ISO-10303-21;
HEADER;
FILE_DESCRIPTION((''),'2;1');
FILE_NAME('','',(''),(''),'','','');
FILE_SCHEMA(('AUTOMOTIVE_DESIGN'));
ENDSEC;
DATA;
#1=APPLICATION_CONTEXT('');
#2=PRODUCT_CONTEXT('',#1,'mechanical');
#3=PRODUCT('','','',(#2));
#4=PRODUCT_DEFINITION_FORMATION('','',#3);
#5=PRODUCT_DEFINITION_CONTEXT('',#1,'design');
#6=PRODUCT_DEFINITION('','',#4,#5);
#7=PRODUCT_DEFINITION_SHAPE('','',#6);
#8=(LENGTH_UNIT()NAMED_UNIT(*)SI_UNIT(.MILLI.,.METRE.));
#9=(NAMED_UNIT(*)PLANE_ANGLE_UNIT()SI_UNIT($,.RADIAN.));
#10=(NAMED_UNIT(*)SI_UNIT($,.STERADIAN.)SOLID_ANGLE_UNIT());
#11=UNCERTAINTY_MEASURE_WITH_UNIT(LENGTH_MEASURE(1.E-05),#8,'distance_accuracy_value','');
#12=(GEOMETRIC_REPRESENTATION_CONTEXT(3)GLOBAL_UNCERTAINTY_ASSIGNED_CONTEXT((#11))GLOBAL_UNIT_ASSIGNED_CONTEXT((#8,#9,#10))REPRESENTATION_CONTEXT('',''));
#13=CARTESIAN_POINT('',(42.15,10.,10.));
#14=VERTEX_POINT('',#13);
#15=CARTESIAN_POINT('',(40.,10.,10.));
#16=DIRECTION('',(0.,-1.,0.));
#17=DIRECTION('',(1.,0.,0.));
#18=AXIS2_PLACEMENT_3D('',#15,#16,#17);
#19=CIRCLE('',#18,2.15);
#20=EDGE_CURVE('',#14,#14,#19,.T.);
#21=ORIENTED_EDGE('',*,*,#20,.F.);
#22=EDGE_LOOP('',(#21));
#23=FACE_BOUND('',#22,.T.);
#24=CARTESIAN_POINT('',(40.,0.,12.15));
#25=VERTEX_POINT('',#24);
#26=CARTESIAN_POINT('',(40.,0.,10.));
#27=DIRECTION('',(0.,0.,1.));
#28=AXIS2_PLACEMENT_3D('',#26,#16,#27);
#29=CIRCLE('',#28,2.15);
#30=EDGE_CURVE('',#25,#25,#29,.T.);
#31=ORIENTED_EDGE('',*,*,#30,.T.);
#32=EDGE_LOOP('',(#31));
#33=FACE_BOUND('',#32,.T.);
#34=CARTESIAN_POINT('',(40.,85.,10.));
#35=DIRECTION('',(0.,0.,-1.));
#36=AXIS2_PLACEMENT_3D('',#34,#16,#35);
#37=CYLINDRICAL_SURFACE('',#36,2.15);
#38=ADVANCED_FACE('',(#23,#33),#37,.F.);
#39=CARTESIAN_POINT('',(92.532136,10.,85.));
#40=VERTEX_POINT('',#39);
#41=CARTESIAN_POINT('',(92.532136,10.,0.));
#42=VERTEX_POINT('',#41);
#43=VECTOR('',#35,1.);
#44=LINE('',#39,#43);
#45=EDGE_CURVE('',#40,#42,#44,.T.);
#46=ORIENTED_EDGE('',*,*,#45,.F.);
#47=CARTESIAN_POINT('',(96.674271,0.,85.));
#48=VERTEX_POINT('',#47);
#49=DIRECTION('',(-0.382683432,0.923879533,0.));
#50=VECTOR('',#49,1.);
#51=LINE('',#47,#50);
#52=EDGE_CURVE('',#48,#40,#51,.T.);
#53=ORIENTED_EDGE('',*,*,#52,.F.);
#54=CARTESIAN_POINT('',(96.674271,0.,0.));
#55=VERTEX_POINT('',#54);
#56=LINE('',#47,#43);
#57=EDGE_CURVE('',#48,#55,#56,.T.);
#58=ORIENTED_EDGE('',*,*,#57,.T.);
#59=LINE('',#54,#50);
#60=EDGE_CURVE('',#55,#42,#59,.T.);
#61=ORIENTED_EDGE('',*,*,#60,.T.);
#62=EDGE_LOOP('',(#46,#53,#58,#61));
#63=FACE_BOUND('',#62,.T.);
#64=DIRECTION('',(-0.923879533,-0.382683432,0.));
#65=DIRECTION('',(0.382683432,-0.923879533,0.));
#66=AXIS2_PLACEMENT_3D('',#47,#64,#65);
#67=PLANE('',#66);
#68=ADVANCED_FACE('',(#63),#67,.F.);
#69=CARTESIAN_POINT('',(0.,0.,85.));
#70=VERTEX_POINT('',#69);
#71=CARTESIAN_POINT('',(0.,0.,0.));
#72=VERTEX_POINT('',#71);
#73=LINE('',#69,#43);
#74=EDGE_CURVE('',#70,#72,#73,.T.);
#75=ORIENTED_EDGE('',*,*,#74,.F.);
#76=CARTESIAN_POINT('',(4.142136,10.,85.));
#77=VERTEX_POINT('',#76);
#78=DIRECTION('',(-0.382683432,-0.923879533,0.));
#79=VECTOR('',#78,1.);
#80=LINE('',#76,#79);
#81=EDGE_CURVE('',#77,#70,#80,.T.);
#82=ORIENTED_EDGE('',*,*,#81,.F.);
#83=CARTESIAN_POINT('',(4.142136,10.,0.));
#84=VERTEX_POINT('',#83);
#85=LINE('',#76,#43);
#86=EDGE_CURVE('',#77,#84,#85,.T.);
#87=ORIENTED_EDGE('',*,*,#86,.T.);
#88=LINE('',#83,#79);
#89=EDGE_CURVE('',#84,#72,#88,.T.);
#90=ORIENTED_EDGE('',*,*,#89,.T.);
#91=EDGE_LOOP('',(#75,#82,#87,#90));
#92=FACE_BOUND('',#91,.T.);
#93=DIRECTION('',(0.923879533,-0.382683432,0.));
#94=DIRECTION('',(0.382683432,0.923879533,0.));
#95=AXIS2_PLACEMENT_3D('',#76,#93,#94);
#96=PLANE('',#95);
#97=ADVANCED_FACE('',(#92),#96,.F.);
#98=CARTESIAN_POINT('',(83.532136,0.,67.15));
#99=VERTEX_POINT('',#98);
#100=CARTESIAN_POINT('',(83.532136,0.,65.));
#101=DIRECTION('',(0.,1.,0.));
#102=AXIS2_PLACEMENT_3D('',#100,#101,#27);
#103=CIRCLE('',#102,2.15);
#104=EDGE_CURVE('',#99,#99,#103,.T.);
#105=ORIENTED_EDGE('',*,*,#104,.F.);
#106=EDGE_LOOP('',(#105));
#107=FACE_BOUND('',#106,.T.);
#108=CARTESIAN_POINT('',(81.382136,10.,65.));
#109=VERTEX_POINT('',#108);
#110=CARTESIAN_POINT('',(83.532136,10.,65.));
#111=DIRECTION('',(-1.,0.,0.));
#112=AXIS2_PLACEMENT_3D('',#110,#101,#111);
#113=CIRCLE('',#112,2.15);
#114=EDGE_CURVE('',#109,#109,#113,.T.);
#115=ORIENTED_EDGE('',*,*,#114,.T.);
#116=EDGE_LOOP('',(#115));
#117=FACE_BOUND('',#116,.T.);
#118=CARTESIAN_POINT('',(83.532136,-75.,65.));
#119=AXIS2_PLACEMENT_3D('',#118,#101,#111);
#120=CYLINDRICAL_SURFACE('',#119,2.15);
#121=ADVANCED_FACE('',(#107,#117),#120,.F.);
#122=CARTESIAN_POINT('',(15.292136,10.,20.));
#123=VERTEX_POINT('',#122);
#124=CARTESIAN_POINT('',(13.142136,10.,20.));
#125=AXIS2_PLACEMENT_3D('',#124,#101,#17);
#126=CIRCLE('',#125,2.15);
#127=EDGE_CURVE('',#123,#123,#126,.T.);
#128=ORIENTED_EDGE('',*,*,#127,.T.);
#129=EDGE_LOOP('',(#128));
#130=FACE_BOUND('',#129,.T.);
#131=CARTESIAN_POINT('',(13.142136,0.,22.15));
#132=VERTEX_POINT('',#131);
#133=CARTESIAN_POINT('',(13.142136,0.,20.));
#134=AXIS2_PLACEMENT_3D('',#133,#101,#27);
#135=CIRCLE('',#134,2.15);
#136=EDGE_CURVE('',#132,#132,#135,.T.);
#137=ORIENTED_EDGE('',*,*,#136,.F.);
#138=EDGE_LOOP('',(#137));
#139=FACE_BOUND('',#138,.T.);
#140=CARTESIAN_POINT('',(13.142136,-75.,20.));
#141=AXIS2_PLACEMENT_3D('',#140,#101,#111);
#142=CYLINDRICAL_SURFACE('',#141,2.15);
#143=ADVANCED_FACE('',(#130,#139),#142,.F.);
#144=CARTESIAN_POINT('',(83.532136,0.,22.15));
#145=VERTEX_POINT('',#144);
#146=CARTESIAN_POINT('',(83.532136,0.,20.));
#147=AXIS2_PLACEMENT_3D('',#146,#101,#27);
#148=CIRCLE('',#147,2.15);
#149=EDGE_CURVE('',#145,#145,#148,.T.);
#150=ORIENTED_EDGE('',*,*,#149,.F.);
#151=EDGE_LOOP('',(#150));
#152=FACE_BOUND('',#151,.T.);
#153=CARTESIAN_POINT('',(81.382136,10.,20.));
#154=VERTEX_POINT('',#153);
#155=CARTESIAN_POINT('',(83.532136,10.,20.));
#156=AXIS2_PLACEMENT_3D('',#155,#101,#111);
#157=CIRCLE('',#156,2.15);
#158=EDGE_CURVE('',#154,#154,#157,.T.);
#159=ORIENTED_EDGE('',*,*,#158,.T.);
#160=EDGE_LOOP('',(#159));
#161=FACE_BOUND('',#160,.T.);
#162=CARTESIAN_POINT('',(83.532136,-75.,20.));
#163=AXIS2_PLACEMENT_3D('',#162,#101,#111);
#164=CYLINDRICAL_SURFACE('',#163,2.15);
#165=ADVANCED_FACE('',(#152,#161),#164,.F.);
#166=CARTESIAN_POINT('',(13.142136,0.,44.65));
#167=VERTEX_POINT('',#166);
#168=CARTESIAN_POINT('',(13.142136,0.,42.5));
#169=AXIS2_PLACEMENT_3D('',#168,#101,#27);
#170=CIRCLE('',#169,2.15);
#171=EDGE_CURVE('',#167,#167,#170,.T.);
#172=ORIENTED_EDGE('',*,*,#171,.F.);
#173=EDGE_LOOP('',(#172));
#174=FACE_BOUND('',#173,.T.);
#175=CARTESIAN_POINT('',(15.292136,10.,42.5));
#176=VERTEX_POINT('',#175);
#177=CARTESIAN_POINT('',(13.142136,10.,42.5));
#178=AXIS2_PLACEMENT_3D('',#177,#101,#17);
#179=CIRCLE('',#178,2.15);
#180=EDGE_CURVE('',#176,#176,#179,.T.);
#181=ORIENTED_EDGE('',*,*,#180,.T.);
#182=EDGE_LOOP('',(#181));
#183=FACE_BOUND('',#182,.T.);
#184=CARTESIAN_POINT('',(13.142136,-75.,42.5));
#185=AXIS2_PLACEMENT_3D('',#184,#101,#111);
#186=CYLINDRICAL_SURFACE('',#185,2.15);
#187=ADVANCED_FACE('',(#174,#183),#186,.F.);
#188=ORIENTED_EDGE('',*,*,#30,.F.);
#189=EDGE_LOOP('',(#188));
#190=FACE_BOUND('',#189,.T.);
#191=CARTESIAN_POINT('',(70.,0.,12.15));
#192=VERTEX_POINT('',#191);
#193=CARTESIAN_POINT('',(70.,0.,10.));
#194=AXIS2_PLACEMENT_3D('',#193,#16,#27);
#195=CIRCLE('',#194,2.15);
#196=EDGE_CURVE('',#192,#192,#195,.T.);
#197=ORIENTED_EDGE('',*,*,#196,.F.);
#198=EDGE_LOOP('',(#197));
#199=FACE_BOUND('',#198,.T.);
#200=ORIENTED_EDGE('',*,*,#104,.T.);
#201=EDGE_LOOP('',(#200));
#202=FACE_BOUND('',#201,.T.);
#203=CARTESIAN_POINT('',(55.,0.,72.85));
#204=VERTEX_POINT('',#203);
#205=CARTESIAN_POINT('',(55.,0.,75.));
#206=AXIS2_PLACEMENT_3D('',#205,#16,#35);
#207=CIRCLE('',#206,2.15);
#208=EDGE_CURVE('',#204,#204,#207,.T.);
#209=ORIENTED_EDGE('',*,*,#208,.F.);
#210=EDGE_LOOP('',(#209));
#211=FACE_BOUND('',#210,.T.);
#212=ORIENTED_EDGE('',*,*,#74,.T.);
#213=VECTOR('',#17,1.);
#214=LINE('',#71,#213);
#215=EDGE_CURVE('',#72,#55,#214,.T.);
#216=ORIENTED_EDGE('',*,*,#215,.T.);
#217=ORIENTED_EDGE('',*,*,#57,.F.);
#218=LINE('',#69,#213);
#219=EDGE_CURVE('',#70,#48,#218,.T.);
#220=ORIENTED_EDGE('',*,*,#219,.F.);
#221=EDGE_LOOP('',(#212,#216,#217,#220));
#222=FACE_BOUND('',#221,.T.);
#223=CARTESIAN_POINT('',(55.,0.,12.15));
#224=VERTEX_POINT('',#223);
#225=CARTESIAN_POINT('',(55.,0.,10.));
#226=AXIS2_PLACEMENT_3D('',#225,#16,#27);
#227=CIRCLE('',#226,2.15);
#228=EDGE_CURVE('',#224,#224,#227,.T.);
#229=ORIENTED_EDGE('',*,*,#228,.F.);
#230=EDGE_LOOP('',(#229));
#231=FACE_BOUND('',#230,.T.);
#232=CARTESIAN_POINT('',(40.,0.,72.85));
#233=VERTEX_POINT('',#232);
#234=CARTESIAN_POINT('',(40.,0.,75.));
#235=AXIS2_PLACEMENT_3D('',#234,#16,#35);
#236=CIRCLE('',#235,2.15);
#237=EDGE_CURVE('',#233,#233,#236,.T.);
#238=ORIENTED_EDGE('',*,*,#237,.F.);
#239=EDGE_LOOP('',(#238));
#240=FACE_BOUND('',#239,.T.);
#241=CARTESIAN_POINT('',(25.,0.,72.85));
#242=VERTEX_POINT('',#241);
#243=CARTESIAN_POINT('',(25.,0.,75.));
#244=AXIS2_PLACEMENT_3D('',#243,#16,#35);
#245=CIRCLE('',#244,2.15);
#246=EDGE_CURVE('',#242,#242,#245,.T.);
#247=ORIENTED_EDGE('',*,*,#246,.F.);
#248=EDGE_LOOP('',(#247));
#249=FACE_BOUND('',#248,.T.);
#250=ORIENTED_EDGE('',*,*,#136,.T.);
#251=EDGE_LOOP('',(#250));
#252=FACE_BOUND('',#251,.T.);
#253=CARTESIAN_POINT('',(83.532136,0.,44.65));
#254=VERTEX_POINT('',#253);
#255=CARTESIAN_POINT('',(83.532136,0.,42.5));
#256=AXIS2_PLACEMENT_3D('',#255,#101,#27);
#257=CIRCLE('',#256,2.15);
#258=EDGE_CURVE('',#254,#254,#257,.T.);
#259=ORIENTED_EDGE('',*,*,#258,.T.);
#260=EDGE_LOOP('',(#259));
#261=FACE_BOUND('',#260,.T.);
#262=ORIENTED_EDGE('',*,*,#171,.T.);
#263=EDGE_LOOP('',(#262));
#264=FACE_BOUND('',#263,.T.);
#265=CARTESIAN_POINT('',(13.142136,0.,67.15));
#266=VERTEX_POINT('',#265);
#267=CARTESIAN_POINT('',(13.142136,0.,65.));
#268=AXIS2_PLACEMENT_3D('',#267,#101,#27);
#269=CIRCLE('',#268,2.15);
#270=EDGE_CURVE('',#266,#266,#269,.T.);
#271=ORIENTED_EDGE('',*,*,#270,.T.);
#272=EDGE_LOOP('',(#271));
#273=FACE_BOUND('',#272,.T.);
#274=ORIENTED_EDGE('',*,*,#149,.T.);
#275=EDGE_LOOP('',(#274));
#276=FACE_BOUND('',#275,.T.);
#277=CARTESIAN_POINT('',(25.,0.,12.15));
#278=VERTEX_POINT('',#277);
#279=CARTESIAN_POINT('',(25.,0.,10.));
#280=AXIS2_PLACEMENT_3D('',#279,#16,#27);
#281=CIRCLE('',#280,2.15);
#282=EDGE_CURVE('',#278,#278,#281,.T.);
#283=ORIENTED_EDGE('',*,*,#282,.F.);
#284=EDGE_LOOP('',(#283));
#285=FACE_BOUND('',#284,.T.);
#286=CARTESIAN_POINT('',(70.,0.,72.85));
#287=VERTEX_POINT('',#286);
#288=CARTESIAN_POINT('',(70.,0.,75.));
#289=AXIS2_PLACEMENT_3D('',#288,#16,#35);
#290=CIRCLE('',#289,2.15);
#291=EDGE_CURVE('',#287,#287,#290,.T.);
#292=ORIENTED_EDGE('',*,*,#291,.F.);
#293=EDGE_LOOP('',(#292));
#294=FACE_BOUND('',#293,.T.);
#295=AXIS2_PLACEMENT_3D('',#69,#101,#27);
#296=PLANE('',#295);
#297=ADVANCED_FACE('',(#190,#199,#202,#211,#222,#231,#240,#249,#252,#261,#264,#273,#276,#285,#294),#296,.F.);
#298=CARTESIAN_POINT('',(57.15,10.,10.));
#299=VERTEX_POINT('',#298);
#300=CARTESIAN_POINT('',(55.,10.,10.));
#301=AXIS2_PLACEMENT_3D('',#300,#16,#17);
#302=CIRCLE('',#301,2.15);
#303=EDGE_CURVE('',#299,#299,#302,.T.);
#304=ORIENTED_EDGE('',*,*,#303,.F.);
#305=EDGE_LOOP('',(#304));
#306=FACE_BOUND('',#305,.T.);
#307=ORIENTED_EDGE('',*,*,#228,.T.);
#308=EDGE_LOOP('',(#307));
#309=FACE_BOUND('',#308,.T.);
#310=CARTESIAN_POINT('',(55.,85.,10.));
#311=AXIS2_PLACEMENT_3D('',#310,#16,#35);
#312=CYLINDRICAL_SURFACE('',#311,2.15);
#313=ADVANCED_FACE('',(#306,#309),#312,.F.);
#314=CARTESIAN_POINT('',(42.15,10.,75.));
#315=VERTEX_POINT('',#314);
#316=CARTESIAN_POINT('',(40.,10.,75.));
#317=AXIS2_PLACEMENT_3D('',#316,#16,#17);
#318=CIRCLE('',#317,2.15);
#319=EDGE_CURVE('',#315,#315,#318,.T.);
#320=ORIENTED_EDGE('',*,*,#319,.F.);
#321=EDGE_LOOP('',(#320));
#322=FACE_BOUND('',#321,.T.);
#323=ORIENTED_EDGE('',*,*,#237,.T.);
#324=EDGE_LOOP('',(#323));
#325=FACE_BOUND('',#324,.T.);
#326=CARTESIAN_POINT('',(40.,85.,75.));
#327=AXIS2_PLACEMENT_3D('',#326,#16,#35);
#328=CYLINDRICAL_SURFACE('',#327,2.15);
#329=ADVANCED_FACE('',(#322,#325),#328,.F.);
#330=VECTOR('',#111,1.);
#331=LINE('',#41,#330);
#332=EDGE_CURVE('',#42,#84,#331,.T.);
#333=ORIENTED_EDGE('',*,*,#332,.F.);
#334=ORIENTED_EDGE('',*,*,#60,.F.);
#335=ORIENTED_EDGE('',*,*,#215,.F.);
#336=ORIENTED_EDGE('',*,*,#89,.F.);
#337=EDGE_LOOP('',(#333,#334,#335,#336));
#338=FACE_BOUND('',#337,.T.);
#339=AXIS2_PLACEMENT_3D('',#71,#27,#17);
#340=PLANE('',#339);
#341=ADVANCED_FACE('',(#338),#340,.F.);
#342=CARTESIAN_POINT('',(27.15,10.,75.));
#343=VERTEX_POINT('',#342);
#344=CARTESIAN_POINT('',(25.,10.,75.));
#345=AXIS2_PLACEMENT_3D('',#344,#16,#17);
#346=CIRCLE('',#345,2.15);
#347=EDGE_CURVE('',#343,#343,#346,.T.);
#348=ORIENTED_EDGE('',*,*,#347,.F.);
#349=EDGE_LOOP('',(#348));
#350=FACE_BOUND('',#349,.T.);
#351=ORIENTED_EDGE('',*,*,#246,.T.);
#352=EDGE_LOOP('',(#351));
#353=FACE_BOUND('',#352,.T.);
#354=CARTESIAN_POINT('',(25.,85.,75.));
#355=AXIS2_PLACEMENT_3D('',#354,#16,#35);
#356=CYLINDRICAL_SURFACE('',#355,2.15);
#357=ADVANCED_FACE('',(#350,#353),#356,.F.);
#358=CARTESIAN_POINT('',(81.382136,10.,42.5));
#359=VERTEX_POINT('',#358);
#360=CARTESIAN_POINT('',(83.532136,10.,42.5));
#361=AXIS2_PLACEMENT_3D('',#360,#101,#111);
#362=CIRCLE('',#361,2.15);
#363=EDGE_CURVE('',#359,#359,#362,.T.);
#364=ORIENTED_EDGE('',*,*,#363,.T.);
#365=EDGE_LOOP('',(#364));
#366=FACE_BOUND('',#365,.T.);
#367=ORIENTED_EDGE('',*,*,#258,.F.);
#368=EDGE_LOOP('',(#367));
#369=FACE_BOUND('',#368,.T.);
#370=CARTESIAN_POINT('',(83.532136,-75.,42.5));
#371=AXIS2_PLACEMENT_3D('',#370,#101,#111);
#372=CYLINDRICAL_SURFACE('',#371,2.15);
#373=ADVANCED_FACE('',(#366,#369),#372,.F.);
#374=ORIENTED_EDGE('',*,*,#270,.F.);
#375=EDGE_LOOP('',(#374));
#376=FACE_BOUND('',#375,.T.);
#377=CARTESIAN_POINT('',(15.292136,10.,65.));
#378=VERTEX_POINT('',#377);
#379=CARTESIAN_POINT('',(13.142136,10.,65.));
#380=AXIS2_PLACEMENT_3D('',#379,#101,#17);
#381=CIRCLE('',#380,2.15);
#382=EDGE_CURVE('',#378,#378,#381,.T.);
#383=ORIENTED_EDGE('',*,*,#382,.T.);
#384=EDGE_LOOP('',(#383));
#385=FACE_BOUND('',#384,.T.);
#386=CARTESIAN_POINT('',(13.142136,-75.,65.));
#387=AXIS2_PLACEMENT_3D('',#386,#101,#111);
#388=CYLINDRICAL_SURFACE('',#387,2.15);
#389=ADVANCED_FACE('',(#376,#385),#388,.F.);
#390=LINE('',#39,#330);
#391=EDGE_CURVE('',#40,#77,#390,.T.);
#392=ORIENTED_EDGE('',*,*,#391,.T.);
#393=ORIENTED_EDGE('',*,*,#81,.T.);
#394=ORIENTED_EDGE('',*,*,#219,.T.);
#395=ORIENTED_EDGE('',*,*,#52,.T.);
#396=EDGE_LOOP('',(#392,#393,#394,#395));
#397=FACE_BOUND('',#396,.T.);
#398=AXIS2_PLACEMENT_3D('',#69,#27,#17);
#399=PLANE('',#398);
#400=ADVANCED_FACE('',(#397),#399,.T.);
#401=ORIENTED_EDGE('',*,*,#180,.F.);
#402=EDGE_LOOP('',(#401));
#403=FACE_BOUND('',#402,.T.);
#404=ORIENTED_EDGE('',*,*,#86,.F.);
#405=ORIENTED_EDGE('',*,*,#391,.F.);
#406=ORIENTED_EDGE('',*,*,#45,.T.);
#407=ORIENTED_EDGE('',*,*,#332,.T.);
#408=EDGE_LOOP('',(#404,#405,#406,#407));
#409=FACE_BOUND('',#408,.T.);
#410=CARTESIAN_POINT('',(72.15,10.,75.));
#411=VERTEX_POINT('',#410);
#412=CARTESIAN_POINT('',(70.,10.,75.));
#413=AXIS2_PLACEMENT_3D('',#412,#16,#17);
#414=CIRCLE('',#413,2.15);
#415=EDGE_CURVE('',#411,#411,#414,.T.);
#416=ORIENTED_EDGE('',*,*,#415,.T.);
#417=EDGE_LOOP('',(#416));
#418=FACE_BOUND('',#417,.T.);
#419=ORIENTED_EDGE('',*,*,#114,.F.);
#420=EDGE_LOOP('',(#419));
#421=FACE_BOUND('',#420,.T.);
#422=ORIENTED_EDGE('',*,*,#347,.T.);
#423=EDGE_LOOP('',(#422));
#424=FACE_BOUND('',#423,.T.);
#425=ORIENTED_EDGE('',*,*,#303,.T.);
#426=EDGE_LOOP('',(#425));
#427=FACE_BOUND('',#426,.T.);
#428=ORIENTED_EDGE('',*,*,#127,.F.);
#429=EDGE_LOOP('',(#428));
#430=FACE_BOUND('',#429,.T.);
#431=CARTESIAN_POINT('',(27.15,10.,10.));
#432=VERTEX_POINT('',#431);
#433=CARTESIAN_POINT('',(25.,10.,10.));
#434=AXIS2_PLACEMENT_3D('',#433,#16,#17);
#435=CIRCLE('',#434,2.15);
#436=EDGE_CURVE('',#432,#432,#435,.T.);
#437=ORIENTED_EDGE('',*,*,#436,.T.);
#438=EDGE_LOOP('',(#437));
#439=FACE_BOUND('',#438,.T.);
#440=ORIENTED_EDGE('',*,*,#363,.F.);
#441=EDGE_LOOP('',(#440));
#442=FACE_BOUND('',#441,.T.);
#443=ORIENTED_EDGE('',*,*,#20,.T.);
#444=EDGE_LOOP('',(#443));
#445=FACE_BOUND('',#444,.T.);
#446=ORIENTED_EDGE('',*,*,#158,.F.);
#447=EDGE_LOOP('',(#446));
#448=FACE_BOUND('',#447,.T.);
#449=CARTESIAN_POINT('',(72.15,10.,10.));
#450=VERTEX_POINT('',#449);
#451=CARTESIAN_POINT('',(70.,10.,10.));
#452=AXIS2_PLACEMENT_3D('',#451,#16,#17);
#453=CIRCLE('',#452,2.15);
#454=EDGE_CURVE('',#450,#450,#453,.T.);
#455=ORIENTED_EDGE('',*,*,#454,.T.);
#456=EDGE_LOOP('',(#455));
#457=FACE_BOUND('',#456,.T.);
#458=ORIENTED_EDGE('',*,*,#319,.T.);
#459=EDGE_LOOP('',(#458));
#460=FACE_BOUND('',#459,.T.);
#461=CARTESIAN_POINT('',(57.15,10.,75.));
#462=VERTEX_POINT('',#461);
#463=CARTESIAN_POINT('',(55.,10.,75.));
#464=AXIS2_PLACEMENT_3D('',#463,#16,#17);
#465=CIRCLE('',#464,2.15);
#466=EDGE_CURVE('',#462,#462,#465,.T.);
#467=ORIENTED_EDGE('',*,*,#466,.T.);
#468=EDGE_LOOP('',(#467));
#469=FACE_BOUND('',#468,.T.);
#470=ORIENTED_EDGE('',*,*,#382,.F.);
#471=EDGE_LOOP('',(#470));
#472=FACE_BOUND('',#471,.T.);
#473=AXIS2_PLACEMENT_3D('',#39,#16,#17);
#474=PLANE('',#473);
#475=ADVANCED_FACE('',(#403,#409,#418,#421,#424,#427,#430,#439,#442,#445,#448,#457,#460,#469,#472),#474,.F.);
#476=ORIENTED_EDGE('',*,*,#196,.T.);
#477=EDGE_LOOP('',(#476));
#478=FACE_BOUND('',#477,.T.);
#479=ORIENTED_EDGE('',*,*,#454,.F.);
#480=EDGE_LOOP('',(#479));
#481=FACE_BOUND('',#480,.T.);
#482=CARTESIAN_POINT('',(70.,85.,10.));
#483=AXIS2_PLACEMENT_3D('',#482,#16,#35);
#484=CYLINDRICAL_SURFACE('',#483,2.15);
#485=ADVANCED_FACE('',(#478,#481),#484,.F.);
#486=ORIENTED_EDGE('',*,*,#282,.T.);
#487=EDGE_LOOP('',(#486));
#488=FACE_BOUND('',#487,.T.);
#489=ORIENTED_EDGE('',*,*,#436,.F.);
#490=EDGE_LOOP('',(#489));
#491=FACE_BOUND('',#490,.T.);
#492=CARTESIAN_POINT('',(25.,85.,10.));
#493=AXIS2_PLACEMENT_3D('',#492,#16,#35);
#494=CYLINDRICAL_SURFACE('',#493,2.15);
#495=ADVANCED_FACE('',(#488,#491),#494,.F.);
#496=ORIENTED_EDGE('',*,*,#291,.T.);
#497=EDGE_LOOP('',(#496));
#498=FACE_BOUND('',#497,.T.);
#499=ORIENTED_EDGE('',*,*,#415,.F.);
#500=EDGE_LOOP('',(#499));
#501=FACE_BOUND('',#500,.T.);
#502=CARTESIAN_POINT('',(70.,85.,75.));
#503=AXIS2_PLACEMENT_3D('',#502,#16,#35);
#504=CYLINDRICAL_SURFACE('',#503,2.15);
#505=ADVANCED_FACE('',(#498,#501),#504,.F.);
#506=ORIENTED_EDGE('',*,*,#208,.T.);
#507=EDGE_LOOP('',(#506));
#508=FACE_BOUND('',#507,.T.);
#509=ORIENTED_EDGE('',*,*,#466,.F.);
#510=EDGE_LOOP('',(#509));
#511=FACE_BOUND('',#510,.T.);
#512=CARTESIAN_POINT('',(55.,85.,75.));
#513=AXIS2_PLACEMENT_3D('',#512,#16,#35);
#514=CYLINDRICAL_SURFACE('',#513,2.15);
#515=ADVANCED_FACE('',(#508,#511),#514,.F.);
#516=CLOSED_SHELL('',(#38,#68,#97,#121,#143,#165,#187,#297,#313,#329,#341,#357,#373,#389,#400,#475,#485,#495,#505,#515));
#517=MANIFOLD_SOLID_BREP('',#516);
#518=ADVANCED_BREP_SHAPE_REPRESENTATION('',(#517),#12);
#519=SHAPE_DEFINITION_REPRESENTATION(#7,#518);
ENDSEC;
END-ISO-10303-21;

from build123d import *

# Parameters (mm, degrees)
BOSS_EXTRUDE1_DEPTH = 85
SKETCH3_R           = 2.15
CUT_EXTRUDE1_DEPTH  = 85
LPATTERN1_COUNT     = 4
LPATTERN1_PITCH     = 15
SKETCH4_R           = 2.15
CUT_EXTRUDE2_DEPTH  = 85


with BuildPart() as part:
    # Sketch2 → Boss-Extrude1 (new body)
    with BuildSketch(Plane.XY):
        Polygon((0, 0), (96.674271247, 0), (92.532135624, 10), (4.142135624, 10), align=None)
    extrude(amount=BOSS_EXTRUDE1_DEPTH)

    # Sketch3 → Cut-Extrude1 (cut)
    with BuildSketch(Plane.XZ):
        with Locations(Location((25, 75, 0), (0, 0, 270))):
            Circle(SKETCH3_R)
        with Locations((25, 10)):
            Circle(SKETCH3_R)
    cut_extrude1 = extrude(amount=-CUT_EXTRUDE1_DEPTH, mode=Mode.SUBTRACT)

    # LPattern1: Cut-Extrude1 ×4
    with Locations(*[(i * LPATTERN1_PITCH, 0, 0) for i in range(1, LPATTERN1_COUNT)]):
        add(cut_extrude1, mode=Mode.SUBTRACT)

    # Sketch4 → Cut-Extrude2 (cut)
    with BuildSketch(Plane(origin=(0, 10, 0), x_dir=(1, 0, 0), z_dir=(0, 1, 0))):
        with Locations(Location((83.532135624, -20, 0), (0, 0, 180))):
            Circle(SKETCH4_R)
        with Locations(Location((83.532135624, -42.5, 0), (0, 0, 180))):
            Circle(SKETCH4_R)
        with Locations(Location((83.532135624, -65, 0), (0, 0, 180))):
            Circle(SKETCH4_R)
        with Locations(Location((13.142135624, -65, 0), (0, 0, 270))):
            Circle(SKETCH4_R)
        with Locations(Location((13.142135624, -42.5, 0), (0, 0, 270))):
            Circle(SKETCH4_R)
        with Locations(Location((13.142135624, -20, 0), (0, 0, 270))):
            Circle(SKETCH4_R)
    extrude(amount=-CUT_EXTRUDE2_DEPTH, mode=Mode.SUBTRACT)


solid = part.part
